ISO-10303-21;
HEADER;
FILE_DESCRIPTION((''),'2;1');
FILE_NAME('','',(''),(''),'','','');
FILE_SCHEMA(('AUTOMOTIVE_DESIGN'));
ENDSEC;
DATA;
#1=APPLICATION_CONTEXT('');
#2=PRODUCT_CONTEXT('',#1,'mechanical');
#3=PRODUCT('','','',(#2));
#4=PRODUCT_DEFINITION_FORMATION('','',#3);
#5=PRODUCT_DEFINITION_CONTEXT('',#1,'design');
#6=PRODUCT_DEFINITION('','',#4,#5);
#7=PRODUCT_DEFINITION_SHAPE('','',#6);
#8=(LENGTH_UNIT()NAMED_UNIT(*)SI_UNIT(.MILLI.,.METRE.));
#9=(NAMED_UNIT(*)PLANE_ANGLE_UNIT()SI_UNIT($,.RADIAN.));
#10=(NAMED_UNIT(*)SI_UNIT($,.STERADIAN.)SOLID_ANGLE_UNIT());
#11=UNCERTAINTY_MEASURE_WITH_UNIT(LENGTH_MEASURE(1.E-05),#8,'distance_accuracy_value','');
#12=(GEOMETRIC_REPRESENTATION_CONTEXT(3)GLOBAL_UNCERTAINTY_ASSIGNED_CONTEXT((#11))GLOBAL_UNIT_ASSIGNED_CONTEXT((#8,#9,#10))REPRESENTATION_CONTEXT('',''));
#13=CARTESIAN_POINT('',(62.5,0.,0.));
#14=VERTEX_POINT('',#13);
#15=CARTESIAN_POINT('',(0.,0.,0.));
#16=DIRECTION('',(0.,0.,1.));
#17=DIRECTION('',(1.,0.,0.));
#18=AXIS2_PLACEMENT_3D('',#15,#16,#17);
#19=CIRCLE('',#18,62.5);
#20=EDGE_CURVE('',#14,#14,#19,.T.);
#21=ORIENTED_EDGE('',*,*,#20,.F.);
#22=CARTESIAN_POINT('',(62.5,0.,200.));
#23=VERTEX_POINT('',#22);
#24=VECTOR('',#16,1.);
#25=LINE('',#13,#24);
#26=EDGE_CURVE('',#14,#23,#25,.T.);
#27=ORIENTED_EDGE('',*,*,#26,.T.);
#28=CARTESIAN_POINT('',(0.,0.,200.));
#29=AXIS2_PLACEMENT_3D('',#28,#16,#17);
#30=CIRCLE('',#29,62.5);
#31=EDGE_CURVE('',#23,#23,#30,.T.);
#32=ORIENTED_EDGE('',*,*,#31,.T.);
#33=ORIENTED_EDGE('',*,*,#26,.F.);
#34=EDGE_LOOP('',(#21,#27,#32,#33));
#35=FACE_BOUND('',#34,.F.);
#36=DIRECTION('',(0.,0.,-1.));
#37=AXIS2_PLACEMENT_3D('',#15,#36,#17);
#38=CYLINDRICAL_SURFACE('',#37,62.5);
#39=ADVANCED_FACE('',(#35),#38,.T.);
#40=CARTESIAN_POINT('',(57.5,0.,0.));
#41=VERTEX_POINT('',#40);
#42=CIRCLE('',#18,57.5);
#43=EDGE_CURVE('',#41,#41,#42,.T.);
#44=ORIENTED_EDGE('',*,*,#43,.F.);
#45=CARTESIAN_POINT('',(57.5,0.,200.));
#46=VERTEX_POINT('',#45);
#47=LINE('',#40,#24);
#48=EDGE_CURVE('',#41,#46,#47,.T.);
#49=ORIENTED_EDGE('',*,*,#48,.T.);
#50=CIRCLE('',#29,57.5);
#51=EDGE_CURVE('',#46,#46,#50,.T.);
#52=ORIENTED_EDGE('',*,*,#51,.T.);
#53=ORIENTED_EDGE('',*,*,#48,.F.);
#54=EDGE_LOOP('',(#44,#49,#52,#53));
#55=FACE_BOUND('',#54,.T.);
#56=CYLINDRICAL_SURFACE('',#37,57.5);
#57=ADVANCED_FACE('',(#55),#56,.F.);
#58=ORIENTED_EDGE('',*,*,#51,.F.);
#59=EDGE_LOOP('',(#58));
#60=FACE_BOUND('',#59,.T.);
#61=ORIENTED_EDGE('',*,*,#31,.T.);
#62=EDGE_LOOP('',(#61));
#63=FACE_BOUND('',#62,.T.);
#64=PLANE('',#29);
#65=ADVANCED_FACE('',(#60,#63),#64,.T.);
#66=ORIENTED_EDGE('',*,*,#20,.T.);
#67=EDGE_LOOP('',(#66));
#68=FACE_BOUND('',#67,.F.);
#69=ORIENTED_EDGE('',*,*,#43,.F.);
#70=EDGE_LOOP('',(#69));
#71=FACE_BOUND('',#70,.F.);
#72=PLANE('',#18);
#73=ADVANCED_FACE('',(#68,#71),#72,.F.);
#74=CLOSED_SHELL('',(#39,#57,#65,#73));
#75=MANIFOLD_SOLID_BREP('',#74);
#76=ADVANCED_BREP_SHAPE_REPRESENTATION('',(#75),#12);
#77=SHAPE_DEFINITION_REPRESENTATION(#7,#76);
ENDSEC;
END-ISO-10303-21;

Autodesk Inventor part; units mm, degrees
ref_plane "YZ Plane" through (0, 0, 0) normal (1, 0, 0) x (0, 1, 0)
ref_plane "XZ Plane" through (0, 0, 0) normal (0, 1, 0) x (-1, 0, 0)
ref_plane "XY Plane" through (0, 0, 0) normal (0, 0, 1) x (1, 0, 0)
sketch "Sketch1" plane through (0, 0, 0) normal (0, 0, 1) x (1, 0, 0)
  circle A0 centre (0, 0) radius 62.5
  circle A1 centre (0, 0) radius 57.5
  dimension "d0" = 125
  dimension "d1" = 5
extrude "Extrusion1" add sketch "Sketch1" along normal blind 200
properties part number "ДМФ 055 труба илоотвода"
